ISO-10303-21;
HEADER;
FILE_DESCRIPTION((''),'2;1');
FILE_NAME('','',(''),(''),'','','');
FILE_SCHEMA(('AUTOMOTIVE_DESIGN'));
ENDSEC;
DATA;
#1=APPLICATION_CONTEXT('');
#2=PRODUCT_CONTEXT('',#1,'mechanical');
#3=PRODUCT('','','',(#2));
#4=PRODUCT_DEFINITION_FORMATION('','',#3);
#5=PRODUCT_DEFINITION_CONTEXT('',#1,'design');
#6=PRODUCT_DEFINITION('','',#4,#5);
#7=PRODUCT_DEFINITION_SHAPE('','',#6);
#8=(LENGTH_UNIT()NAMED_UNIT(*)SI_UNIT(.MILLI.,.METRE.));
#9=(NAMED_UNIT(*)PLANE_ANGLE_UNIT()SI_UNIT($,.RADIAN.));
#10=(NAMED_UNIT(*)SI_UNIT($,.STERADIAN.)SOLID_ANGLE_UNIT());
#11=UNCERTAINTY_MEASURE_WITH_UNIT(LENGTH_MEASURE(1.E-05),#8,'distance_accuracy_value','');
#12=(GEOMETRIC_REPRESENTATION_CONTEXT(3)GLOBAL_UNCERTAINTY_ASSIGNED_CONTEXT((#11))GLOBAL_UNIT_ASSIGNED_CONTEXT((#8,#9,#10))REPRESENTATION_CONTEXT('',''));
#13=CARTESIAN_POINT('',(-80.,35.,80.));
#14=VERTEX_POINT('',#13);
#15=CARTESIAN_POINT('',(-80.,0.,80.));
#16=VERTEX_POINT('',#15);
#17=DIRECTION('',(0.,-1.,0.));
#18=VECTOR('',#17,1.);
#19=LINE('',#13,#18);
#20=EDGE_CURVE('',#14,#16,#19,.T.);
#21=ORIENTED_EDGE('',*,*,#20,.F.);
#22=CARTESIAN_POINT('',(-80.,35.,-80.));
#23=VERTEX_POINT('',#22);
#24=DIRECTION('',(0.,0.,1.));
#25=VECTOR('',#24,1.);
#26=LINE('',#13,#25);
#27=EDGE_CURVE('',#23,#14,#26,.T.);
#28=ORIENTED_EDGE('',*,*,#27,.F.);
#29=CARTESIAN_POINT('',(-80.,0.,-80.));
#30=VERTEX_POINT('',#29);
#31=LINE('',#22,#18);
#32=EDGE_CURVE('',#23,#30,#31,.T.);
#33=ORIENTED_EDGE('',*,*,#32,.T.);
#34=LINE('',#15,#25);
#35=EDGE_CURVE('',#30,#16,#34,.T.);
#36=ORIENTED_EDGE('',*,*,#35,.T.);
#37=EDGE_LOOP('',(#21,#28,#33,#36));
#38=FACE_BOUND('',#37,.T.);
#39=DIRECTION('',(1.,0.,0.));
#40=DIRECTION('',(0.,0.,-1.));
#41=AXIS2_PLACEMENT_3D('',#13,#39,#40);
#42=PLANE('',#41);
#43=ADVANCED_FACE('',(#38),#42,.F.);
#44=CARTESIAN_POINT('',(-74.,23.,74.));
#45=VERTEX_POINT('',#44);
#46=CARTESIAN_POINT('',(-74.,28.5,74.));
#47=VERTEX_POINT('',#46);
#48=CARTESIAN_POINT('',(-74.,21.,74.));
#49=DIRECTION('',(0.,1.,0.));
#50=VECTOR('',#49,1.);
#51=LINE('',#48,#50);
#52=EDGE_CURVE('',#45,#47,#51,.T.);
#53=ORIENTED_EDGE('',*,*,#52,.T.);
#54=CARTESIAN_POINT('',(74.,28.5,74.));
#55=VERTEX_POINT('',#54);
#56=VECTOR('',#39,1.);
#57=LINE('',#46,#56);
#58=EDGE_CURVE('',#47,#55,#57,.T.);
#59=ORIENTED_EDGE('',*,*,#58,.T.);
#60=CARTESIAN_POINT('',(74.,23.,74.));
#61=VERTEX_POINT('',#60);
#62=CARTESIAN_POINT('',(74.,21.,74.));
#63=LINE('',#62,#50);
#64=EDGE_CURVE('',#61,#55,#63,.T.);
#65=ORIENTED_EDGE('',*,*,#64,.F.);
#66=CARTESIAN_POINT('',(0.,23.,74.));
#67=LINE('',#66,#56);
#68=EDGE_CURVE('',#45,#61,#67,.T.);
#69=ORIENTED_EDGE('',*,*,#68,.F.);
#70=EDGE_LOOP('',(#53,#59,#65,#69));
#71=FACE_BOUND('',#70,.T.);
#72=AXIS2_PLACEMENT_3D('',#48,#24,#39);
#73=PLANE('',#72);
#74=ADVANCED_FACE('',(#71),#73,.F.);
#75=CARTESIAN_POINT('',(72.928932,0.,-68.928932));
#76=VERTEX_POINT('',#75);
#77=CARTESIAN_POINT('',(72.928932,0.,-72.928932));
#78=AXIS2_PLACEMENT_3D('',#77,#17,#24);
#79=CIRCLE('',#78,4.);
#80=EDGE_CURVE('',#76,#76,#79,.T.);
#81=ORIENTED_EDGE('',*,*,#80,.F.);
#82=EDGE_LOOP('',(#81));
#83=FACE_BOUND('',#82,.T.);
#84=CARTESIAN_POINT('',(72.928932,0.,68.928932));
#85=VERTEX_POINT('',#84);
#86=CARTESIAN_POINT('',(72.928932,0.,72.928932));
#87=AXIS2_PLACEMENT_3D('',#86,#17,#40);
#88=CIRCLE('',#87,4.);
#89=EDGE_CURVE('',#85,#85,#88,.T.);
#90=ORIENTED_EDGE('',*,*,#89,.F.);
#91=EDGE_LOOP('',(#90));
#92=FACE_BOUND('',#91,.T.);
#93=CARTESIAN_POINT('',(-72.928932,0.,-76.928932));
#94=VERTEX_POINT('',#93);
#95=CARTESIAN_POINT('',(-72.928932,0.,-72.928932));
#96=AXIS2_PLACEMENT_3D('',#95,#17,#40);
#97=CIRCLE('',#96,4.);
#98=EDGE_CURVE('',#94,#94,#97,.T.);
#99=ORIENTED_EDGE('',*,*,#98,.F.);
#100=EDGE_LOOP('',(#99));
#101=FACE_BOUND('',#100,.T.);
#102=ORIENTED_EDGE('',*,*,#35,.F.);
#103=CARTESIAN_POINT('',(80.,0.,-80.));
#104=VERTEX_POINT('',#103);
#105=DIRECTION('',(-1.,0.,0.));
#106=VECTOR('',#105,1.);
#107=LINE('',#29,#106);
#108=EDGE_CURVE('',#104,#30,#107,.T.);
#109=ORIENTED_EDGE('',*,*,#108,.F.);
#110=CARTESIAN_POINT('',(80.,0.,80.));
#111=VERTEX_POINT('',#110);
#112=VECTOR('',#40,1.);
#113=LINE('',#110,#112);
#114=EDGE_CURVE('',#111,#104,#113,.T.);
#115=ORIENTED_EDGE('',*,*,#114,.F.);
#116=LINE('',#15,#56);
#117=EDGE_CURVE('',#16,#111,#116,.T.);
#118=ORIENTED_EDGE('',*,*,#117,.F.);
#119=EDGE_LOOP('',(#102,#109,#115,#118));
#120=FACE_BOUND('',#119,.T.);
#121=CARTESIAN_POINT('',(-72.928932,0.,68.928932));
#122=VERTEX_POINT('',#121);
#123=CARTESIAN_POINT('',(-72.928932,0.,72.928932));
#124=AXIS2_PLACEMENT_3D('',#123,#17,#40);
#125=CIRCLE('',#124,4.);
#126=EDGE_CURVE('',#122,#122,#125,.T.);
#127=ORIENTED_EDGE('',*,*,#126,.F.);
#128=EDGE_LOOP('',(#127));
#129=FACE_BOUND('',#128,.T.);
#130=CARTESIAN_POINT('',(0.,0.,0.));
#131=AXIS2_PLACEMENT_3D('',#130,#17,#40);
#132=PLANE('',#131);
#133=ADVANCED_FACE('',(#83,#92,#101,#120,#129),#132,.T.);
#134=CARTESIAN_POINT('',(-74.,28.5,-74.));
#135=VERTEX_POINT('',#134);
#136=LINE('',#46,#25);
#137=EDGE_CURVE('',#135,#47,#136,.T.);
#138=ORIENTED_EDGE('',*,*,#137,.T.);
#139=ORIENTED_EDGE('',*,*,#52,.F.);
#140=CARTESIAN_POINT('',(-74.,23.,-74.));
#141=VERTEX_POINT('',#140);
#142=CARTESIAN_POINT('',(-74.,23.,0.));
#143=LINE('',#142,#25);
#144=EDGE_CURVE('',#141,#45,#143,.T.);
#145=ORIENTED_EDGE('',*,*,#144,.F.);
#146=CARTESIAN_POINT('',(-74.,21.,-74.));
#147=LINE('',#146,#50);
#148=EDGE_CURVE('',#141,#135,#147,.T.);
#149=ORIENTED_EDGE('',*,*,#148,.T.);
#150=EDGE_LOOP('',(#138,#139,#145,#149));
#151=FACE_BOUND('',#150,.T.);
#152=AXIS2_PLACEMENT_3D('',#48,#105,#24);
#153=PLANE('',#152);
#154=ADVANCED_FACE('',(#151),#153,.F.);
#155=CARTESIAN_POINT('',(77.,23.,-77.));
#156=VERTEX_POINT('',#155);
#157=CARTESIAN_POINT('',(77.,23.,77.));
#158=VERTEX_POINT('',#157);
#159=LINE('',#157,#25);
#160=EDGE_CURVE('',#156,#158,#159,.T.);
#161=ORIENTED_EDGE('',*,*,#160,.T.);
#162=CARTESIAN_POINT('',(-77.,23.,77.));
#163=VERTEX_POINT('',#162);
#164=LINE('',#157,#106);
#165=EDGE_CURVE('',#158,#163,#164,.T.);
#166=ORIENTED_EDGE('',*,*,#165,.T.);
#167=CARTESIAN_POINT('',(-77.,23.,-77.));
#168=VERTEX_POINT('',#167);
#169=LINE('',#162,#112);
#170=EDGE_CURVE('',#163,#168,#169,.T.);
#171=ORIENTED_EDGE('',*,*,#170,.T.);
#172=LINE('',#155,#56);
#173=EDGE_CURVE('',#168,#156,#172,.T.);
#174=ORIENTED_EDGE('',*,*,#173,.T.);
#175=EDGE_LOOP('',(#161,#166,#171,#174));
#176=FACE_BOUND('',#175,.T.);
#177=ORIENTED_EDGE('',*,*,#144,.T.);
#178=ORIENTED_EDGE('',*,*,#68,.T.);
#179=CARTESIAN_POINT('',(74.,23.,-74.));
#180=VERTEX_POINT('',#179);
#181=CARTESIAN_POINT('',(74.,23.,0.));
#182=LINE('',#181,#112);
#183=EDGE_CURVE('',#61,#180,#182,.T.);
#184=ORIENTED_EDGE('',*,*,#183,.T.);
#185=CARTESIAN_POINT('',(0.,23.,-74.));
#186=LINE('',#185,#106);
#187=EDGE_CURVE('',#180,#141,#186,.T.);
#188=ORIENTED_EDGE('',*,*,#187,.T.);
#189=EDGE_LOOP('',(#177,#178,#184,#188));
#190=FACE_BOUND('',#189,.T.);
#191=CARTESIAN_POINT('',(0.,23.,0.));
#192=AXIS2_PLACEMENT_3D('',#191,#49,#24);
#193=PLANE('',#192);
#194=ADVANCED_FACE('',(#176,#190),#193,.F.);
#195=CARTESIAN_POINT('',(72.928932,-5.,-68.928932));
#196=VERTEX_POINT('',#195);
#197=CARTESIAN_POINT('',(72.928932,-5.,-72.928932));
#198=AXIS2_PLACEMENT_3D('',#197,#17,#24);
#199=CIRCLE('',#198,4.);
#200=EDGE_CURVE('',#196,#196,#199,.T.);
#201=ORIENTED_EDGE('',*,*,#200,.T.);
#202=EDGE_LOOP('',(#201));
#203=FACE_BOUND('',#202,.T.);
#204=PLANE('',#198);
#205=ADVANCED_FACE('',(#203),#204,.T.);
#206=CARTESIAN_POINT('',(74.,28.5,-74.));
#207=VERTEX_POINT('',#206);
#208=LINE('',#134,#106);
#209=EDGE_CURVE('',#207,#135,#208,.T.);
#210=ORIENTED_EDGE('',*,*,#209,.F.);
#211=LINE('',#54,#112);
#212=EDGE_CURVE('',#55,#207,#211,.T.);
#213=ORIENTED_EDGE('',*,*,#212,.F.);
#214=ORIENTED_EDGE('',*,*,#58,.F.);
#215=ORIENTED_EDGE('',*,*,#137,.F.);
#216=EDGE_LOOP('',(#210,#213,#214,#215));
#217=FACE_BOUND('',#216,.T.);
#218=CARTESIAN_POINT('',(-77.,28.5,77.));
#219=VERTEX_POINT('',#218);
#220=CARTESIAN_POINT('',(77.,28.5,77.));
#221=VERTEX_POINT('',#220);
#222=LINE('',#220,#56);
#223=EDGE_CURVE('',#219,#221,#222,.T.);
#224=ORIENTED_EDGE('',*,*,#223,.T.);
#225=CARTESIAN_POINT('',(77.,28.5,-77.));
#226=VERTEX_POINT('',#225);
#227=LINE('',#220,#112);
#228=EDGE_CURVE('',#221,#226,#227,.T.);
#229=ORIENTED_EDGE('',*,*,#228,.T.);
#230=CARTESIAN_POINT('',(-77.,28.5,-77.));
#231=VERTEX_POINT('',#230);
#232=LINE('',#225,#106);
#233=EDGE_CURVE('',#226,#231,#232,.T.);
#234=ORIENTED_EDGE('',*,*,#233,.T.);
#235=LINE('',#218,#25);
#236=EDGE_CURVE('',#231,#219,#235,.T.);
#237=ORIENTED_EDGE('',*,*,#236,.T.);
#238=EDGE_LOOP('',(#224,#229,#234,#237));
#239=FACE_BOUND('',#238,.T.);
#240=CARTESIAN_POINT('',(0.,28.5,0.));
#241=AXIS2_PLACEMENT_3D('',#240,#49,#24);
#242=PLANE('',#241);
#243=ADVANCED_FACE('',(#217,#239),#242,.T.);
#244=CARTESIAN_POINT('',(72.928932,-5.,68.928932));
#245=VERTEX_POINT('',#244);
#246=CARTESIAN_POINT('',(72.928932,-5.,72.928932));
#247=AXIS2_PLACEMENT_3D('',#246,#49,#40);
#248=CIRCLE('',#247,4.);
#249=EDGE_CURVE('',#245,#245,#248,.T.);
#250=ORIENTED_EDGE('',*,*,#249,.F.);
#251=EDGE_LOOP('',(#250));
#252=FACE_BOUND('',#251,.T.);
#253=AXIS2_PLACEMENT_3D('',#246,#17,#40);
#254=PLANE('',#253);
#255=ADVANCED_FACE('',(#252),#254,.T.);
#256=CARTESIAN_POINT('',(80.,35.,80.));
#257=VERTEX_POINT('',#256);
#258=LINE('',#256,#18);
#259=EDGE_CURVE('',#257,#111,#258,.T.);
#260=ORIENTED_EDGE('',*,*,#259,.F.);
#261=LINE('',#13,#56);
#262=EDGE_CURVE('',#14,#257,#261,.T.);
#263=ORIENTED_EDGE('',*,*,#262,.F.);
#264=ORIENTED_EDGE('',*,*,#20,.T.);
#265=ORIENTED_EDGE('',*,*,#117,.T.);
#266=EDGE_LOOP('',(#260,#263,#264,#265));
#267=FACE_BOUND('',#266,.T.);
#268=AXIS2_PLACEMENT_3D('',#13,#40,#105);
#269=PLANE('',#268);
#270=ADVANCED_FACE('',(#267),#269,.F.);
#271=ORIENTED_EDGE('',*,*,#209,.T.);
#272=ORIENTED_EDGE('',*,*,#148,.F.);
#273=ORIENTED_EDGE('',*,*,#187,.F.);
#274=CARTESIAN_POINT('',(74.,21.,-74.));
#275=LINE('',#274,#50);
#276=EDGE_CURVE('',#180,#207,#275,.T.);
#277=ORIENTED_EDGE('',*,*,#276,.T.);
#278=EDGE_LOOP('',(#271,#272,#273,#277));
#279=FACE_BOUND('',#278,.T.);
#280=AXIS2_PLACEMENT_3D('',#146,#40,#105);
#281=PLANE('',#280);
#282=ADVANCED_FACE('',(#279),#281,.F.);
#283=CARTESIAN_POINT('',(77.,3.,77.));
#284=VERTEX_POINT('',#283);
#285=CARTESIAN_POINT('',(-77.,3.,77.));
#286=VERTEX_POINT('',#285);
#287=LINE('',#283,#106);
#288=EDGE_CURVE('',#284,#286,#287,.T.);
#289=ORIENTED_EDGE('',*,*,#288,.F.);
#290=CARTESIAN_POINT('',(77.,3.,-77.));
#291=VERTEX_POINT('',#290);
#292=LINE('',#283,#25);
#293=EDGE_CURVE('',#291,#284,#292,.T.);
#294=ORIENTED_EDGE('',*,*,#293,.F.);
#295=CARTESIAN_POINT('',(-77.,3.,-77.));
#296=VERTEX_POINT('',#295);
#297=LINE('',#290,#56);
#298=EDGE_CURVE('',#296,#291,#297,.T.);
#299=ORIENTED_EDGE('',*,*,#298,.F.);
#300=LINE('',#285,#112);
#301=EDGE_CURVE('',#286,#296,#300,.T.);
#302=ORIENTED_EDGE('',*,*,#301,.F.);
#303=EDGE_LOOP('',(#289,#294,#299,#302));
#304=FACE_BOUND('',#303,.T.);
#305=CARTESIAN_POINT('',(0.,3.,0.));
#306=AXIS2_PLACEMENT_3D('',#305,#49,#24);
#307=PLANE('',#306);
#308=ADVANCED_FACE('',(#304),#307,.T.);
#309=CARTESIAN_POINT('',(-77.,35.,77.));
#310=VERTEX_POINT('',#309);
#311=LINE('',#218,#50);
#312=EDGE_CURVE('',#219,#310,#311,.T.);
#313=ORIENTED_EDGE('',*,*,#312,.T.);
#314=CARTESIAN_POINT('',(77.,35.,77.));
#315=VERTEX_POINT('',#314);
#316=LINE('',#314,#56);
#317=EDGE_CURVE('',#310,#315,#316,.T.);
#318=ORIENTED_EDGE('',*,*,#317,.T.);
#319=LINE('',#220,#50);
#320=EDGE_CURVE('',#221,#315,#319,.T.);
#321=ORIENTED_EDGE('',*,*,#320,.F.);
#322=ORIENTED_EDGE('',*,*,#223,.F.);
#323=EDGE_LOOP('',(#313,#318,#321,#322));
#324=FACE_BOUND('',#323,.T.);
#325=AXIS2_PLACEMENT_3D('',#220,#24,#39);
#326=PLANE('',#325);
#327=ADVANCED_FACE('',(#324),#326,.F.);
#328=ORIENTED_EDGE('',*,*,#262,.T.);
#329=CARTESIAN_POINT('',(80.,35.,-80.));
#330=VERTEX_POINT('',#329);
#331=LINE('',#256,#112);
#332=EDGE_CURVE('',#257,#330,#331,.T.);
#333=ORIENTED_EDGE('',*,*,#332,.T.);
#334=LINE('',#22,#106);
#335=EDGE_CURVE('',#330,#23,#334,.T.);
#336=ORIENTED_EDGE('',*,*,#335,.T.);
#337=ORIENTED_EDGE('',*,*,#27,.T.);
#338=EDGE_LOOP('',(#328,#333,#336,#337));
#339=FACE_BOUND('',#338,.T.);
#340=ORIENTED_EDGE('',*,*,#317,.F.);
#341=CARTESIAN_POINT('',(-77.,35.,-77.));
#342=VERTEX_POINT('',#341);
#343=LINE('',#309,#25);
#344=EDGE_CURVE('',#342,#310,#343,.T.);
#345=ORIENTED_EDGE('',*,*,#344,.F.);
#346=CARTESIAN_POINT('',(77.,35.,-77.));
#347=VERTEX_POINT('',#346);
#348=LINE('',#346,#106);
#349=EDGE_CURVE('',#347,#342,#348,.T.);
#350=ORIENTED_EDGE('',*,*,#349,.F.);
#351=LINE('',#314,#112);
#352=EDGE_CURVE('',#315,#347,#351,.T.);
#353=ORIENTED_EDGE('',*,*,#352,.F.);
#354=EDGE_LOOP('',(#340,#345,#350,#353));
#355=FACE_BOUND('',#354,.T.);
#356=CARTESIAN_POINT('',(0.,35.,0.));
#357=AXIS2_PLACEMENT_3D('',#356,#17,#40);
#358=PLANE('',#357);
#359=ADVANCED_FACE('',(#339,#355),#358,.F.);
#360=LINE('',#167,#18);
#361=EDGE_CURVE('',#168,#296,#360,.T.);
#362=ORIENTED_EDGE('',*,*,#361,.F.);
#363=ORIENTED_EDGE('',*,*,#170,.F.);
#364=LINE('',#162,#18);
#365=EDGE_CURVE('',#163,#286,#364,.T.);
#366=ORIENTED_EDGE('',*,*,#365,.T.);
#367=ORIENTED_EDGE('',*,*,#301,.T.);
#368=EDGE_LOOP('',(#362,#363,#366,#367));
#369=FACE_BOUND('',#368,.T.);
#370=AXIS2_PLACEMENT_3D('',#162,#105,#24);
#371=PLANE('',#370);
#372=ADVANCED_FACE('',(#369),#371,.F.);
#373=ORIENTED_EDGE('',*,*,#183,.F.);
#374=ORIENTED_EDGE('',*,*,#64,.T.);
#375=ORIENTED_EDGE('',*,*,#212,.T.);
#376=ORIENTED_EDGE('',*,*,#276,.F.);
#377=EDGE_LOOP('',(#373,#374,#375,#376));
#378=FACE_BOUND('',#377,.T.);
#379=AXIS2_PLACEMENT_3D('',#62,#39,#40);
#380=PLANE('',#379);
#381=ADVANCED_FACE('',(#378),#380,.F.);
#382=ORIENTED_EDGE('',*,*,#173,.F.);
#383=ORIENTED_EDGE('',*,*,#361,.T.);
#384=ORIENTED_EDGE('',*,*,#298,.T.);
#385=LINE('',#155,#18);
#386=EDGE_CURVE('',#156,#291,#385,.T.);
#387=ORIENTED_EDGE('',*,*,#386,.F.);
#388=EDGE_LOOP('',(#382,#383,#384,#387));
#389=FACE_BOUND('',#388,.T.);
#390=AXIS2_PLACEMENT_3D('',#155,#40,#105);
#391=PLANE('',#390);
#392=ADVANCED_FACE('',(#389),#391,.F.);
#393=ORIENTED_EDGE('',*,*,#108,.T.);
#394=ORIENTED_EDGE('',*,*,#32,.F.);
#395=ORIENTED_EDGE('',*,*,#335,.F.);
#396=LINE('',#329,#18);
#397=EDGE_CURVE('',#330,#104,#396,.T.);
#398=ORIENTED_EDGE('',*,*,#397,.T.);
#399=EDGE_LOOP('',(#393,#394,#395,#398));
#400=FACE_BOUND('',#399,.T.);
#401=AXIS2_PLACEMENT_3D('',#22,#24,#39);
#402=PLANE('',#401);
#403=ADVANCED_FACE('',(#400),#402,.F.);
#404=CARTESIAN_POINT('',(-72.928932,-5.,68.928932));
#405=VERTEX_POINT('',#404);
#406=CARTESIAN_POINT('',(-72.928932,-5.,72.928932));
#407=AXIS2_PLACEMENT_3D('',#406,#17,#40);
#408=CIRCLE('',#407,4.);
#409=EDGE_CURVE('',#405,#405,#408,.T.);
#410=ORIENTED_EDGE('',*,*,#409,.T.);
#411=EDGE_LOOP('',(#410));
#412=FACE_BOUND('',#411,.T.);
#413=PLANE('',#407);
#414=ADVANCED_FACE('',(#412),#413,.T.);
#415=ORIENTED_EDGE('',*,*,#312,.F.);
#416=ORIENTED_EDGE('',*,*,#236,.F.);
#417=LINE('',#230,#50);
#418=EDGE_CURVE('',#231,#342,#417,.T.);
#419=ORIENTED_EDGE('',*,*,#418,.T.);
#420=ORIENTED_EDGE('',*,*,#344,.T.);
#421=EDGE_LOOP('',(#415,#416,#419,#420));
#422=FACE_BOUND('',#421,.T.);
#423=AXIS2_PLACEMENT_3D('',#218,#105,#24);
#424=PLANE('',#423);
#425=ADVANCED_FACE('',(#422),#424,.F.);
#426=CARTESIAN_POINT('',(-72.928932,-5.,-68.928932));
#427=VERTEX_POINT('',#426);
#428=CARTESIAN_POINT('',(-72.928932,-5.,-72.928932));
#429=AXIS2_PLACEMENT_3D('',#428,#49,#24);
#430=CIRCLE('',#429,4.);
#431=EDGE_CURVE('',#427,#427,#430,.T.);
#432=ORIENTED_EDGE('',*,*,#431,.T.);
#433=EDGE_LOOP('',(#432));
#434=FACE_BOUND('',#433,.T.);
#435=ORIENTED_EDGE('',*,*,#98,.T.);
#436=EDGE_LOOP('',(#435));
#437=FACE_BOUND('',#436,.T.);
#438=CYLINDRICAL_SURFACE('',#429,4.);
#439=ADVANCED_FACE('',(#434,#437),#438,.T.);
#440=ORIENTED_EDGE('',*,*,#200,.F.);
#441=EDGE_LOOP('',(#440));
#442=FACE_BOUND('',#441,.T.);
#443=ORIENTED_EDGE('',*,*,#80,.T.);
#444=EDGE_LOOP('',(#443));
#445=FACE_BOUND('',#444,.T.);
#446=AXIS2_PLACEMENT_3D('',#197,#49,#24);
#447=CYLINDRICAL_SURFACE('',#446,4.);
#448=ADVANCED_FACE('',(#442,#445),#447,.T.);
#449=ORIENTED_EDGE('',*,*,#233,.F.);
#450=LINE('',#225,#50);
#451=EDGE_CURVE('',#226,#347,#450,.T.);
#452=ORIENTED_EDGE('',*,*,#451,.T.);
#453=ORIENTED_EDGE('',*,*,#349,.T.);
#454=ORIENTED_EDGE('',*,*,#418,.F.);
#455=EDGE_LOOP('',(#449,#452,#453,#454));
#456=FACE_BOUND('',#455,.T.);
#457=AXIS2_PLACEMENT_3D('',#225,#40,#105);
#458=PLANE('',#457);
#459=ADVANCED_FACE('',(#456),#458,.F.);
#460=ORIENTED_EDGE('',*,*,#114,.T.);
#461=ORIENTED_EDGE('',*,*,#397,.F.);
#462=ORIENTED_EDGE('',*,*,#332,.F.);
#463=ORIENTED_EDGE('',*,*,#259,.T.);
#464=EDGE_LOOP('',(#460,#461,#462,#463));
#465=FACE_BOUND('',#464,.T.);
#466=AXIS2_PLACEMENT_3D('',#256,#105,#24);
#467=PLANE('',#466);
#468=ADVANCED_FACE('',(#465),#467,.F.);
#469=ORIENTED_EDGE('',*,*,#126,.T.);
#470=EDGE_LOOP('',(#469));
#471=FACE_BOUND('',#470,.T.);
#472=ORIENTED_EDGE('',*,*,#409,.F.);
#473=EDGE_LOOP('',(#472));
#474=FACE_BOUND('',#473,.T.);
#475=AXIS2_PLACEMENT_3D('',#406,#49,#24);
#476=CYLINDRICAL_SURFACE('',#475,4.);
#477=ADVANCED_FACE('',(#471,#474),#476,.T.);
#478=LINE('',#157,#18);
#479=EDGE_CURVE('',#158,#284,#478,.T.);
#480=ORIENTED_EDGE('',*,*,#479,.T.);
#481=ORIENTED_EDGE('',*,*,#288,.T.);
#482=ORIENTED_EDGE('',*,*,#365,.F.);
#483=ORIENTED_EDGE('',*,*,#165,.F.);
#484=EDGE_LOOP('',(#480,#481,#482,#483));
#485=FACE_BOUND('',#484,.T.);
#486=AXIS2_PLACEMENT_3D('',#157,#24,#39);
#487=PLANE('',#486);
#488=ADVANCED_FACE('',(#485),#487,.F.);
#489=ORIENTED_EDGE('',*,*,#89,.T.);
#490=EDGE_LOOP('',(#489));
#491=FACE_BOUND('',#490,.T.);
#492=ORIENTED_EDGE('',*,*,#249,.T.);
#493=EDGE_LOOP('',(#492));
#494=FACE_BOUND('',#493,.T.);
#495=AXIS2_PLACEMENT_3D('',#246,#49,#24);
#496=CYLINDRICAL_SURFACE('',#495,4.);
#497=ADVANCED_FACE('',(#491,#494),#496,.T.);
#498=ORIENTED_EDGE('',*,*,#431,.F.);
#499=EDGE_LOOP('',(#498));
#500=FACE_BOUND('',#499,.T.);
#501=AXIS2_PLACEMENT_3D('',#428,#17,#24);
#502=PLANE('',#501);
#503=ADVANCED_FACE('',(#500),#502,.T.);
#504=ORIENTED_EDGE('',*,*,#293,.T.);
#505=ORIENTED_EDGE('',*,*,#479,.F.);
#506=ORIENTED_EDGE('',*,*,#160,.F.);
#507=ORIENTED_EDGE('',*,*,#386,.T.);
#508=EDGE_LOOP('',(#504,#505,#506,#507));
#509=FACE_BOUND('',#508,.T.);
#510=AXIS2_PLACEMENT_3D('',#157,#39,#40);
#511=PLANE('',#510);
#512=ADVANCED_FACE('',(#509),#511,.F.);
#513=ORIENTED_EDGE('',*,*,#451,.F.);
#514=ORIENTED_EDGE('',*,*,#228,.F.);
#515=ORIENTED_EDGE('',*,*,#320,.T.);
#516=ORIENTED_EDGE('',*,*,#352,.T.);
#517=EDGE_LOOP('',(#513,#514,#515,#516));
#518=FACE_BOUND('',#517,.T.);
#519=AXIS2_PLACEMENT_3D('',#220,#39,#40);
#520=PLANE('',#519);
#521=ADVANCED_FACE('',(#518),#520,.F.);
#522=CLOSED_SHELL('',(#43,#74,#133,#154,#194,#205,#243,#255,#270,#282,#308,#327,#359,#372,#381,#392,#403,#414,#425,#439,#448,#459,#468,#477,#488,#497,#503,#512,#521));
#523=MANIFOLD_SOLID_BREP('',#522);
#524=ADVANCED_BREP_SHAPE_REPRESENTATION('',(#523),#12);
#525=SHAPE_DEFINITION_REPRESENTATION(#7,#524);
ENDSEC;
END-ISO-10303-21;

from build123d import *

# Parameters (mm, degrees)
SKETCH2_W                                  = 160
SKETCH2_H                                  = 160
OUTER_BLOCK_DEPTH                          = 35
SKETCH12_W                                 = 154
SKETCH12_H                                 = 154
CUT_EXTRUDE1_DEPTH                         = 6.5
SKETCH14_W                                 = 154
SKETCH14_H                                 = 154
CUT_EXTRUDE4_DEPTH                         = 20
SKETCH15_W                                 = 148
SKETCH15_H                                 = 148
CUT_EXTRUDE6_DEPTH                         = 7.5
SKETCH17_R                                 = 4
BOSS_EXTRUDE1_DEPTH                        = 5
MIRROR1_AT_THE_SECOND_PLANE_COPY_1_SKETC_R = 4
MIRROR1_AT_THE_SECOND_PLANE_COPY_1_DEPTH   = 5


with BuildPart() as part:
    # Sketch2 → Outer Block (new body)
    with BuildSketch(Plane(origin=(0, 0, 0), x_dir=(1, 0, 0), z_dir=(0, 1, 0))):
        Rectangle(SKETCH2_W, SKETCH2_H)
    extrude(amount=OUTER_BLOCK_DEPTH)

    # Sketch12 → Cut-Extrude1 (cut)
    with BuildSketch(Plane(origin=(0, 35, 0), x_dir=(1, 0, 0), z_dir=(0, 1, 0))):
        Rectangle(SKETCH12_W, SKETCH12_H)
    extrude(amount=-CUT_EXTRUDE1_DEPTH, mode=Mode.SUBTRACT)

    # Sketch14 → Cut-Extrude4 (cut)
    with BuildSketch(Plane(origin=(0, 3, 0), x_dir=(-1, 0, 0), z_dir=(0, -1, 0))):
        Rectangle(SKETCH14_W, SKETCH14_H)
    extrude(amount=-CUT_EXTRUDE4_DEPTH, mode=Mode.SUBTRACT)

    # Sketch15 → Cut-Extrude6 (cut)
    with BuildSketch(Plane(origin=(0, 28.5, 0), x_dir=(1, 0, 0), z_dir=(0, 1, 0))):
        Rectangle(SKETCH15_W, SKETCH15_H)
    extrude(amount=-CUT_EXTRUDE6_DEPTH, mode=Mode.SUBTRACT)

    # Sketch17 → Boss-Extrude1 (add)
    with BuildSketch(Plane.XZ):
        with Locations((-72.928932188, 72.928932188)):
            Circle(SKETCH17_R)
    boss_extrude1 = extrude(amount=BOSS_EXTRUDE1_DEPTH)

    # Mirror1: Boss-Extrude1 across plane
    add(boss_extrude1.mirror(Plane.XY))

    # Mirror1 at the second plane: Boss-Extrude1 across plane
    add(boss_extrude1.mirror(Plane(origin=(0, 0, 0), x_dir=(0, 0, 1), z_dir=(1, 0, 0))))

    # Mirror1 at the second plane copy 1 sketc → Mirror1 at the second plane copy 1 (add)
    with BuildSketch(Plane(origin=(0, 0, 0), x_dir=(-1, 0, 0), z_dir=(0, -1, 0))):
        with Locations((-72.928932188, 72.928932188)):
            Circle(MIRROR1_AT_THE_SECOND_PLANE_COPY_1_SKETC_R)
    extrude(amount=MIRROR1_AT_THE_SECOND_PLANE_COPY_1_DEPTH)


solid = part.part
